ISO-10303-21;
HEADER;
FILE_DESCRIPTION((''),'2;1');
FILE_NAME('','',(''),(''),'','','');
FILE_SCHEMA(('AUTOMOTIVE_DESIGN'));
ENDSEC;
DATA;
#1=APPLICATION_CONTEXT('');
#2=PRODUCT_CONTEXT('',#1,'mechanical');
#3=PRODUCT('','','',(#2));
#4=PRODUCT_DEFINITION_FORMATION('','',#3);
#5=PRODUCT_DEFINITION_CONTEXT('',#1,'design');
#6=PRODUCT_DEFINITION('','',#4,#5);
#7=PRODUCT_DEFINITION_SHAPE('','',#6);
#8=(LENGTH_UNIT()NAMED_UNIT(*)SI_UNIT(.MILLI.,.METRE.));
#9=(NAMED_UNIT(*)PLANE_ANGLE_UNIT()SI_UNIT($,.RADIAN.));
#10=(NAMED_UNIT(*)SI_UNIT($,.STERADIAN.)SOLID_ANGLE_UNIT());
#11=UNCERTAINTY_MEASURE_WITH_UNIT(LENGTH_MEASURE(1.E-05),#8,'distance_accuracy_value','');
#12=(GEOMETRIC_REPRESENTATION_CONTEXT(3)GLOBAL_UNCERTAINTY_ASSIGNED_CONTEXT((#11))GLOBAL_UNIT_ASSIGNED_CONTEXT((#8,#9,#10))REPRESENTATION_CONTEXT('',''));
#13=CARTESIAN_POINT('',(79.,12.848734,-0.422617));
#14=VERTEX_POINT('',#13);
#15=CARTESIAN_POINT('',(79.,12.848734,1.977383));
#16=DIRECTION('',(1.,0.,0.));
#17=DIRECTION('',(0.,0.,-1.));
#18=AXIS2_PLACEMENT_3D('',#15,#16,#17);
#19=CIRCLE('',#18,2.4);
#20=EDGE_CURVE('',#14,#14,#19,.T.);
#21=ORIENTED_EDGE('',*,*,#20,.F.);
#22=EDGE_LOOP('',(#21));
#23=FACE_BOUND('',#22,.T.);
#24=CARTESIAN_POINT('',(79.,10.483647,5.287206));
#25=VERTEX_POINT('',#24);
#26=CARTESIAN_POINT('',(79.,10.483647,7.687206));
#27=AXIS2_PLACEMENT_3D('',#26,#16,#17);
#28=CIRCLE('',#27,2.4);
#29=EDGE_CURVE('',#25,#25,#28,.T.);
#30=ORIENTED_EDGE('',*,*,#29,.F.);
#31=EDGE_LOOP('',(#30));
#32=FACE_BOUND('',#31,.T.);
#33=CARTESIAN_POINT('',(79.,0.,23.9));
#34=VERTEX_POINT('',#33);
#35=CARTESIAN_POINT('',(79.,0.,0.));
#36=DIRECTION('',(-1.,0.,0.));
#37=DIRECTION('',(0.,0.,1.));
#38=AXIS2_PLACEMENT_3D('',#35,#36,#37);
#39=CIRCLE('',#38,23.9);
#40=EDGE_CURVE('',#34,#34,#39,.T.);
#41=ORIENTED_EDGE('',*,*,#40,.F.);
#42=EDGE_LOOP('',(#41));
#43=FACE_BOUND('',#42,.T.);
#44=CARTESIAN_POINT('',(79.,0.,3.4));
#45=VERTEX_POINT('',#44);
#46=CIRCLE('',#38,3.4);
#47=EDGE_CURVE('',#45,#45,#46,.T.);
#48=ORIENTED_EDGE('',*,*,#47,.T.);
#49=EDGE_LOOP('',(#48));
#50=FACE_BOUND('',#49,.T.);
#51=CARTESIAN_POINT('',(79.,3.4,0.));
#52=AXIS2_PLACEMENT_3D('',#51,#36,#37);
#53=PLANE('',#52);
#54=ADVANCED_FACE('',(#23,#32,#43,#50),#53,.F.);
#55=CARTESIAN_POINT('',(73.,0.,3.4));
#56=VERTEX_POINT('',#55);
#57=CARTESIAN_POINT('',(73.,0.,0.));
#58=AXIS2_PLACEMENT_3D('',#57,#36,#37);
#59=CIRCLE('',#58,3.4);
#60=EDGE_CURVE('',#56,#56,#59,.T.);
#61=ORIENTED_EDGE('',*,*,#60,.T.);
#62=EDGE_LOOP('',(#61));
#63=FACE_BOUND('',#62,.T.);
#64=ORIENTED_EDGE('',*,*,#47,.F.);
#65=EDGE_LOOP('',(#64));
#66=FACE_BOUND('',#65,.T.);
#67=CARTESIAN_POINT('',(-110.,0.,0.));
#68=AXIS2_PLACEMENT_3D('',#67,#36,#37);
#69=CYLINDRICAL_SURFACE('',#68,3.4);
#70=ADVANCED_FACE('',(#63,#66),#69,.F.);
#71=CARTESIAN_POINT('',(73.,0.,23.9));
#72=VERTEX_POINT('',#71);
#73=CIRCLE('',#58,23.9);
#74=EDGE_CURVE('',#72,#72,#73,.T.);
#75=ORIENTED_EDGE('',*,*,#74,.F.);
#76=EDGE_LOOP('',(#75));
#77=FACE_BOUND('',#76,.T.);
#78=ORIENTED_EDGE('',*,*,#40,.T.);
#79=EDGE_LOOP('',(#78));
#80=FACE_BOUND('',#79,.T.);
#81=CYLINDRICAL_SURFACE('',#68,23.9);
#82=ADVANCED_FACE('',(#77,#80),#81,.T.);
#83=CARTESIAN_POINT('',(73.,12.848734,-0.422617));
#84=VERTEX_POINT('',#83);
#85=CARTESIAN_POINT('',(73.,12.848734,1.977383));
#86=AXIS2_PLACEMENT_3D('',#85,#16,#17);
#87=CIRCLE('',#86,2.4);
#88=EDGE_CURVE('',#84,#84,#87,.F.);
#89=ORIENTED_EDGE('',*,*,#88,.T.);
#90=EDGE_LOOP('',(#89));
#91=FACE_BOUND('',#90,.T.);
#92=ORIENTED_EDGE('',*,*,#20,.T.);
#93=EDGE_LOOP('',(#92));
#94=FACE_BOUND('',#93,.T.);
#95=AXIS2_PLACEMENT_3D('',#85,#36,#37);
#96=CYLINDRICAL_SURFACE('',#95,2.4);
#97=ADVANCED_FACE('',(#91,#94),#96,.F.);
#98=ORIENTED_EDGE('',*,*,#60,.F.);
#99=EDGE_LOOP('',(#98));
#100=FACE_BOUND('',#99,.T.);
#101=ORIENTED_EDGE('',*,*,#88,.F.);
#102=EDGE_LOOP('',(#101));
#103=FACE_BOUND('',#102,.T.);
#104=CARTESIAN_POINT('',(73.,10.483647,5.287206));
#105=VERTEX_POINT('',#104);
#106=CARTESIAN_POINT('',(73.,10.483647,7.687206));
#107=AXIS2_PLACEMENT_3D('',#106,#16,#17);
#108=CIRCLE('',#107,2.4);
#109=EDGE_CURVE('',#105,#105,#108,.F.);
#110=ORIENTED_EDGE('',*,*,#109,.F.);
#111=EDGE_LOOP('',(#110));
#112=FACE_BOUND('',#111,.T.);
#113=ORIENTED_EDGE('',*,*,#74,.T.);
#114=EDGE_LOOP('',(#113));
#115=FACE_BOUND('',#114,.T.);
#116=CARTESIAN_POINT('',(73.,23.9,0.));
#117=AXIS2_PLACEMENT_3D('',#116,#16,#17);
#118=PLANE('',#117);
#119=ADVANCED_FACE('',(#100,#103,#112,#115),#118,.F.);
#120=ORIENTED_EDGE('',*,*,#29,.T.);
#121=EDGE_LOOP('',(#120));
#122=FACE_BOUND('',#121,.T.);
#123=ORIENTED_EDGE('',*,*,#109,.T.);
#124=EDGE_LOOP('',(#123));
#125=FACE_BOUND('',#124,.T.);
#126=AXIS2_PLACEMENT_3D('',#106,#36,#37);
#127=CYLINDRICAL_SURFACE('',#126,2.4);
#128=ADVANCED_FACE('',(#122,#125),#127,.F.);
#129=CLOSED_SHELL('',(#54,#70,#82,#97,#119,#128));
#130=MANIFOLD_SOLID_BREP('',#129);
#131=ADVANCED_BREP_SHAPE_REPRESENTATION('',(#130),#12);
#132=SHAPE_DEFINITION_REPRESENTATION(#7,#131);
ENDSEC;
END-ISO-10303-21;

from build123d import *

# Parameters (mm, degrees)
AXIAL_PROFILE_MM_W     = 6
AXIAL_PROFILE_MM_H     = 20.5
AXIAL_HOLES_DEPTH      = 86.926829338
AXIAL_HOLES_DEPTH_BACK = 86.926829338
SKETCH2_R              = 2.4


with BuildPart() as part:
    # Axial profile (mm) → Full revolution (revolve)
    with BuildSketch(Plane.XY, mode=Mode.PRIVATE) as full_revolution_sk:
        with Locations((76, 13.65)):
            Rectangle(AXIAL_PROFILE_MM_W, AXIAL_PROFILE_MM_H)
    revolve(full_revolution_sk.sketch.rotate(Axis((-110, 0, 0), (1, 0, 0)), 90), axis=Axis((-110, 0, 0), (1, 0, 0)))

    # Sketch2 → Axial holes (cut, two sides: drawn at the far end of the back side and taken through both)
    with BuildSketch(Plane(origin=(0, 0, 0), x_dir=(0, 0, -1), z_dir=(1, 0, 0)).offset(-AXIAL_HOLES_DEPTH_BACK)):
        with Locations((-1.977382665, 12.848733704)):
            Circle(SKETCH2_R)
        with Locations((-7.687206041, 10.483647423)):
            Circle(SKETCH2_R)
    extrude(amount=AXIAL_HOLES_DEPTH + AXIAL_HOLES_DEPTH_BACK, mode=Mode.SUBTRACT)


solid = part.part
